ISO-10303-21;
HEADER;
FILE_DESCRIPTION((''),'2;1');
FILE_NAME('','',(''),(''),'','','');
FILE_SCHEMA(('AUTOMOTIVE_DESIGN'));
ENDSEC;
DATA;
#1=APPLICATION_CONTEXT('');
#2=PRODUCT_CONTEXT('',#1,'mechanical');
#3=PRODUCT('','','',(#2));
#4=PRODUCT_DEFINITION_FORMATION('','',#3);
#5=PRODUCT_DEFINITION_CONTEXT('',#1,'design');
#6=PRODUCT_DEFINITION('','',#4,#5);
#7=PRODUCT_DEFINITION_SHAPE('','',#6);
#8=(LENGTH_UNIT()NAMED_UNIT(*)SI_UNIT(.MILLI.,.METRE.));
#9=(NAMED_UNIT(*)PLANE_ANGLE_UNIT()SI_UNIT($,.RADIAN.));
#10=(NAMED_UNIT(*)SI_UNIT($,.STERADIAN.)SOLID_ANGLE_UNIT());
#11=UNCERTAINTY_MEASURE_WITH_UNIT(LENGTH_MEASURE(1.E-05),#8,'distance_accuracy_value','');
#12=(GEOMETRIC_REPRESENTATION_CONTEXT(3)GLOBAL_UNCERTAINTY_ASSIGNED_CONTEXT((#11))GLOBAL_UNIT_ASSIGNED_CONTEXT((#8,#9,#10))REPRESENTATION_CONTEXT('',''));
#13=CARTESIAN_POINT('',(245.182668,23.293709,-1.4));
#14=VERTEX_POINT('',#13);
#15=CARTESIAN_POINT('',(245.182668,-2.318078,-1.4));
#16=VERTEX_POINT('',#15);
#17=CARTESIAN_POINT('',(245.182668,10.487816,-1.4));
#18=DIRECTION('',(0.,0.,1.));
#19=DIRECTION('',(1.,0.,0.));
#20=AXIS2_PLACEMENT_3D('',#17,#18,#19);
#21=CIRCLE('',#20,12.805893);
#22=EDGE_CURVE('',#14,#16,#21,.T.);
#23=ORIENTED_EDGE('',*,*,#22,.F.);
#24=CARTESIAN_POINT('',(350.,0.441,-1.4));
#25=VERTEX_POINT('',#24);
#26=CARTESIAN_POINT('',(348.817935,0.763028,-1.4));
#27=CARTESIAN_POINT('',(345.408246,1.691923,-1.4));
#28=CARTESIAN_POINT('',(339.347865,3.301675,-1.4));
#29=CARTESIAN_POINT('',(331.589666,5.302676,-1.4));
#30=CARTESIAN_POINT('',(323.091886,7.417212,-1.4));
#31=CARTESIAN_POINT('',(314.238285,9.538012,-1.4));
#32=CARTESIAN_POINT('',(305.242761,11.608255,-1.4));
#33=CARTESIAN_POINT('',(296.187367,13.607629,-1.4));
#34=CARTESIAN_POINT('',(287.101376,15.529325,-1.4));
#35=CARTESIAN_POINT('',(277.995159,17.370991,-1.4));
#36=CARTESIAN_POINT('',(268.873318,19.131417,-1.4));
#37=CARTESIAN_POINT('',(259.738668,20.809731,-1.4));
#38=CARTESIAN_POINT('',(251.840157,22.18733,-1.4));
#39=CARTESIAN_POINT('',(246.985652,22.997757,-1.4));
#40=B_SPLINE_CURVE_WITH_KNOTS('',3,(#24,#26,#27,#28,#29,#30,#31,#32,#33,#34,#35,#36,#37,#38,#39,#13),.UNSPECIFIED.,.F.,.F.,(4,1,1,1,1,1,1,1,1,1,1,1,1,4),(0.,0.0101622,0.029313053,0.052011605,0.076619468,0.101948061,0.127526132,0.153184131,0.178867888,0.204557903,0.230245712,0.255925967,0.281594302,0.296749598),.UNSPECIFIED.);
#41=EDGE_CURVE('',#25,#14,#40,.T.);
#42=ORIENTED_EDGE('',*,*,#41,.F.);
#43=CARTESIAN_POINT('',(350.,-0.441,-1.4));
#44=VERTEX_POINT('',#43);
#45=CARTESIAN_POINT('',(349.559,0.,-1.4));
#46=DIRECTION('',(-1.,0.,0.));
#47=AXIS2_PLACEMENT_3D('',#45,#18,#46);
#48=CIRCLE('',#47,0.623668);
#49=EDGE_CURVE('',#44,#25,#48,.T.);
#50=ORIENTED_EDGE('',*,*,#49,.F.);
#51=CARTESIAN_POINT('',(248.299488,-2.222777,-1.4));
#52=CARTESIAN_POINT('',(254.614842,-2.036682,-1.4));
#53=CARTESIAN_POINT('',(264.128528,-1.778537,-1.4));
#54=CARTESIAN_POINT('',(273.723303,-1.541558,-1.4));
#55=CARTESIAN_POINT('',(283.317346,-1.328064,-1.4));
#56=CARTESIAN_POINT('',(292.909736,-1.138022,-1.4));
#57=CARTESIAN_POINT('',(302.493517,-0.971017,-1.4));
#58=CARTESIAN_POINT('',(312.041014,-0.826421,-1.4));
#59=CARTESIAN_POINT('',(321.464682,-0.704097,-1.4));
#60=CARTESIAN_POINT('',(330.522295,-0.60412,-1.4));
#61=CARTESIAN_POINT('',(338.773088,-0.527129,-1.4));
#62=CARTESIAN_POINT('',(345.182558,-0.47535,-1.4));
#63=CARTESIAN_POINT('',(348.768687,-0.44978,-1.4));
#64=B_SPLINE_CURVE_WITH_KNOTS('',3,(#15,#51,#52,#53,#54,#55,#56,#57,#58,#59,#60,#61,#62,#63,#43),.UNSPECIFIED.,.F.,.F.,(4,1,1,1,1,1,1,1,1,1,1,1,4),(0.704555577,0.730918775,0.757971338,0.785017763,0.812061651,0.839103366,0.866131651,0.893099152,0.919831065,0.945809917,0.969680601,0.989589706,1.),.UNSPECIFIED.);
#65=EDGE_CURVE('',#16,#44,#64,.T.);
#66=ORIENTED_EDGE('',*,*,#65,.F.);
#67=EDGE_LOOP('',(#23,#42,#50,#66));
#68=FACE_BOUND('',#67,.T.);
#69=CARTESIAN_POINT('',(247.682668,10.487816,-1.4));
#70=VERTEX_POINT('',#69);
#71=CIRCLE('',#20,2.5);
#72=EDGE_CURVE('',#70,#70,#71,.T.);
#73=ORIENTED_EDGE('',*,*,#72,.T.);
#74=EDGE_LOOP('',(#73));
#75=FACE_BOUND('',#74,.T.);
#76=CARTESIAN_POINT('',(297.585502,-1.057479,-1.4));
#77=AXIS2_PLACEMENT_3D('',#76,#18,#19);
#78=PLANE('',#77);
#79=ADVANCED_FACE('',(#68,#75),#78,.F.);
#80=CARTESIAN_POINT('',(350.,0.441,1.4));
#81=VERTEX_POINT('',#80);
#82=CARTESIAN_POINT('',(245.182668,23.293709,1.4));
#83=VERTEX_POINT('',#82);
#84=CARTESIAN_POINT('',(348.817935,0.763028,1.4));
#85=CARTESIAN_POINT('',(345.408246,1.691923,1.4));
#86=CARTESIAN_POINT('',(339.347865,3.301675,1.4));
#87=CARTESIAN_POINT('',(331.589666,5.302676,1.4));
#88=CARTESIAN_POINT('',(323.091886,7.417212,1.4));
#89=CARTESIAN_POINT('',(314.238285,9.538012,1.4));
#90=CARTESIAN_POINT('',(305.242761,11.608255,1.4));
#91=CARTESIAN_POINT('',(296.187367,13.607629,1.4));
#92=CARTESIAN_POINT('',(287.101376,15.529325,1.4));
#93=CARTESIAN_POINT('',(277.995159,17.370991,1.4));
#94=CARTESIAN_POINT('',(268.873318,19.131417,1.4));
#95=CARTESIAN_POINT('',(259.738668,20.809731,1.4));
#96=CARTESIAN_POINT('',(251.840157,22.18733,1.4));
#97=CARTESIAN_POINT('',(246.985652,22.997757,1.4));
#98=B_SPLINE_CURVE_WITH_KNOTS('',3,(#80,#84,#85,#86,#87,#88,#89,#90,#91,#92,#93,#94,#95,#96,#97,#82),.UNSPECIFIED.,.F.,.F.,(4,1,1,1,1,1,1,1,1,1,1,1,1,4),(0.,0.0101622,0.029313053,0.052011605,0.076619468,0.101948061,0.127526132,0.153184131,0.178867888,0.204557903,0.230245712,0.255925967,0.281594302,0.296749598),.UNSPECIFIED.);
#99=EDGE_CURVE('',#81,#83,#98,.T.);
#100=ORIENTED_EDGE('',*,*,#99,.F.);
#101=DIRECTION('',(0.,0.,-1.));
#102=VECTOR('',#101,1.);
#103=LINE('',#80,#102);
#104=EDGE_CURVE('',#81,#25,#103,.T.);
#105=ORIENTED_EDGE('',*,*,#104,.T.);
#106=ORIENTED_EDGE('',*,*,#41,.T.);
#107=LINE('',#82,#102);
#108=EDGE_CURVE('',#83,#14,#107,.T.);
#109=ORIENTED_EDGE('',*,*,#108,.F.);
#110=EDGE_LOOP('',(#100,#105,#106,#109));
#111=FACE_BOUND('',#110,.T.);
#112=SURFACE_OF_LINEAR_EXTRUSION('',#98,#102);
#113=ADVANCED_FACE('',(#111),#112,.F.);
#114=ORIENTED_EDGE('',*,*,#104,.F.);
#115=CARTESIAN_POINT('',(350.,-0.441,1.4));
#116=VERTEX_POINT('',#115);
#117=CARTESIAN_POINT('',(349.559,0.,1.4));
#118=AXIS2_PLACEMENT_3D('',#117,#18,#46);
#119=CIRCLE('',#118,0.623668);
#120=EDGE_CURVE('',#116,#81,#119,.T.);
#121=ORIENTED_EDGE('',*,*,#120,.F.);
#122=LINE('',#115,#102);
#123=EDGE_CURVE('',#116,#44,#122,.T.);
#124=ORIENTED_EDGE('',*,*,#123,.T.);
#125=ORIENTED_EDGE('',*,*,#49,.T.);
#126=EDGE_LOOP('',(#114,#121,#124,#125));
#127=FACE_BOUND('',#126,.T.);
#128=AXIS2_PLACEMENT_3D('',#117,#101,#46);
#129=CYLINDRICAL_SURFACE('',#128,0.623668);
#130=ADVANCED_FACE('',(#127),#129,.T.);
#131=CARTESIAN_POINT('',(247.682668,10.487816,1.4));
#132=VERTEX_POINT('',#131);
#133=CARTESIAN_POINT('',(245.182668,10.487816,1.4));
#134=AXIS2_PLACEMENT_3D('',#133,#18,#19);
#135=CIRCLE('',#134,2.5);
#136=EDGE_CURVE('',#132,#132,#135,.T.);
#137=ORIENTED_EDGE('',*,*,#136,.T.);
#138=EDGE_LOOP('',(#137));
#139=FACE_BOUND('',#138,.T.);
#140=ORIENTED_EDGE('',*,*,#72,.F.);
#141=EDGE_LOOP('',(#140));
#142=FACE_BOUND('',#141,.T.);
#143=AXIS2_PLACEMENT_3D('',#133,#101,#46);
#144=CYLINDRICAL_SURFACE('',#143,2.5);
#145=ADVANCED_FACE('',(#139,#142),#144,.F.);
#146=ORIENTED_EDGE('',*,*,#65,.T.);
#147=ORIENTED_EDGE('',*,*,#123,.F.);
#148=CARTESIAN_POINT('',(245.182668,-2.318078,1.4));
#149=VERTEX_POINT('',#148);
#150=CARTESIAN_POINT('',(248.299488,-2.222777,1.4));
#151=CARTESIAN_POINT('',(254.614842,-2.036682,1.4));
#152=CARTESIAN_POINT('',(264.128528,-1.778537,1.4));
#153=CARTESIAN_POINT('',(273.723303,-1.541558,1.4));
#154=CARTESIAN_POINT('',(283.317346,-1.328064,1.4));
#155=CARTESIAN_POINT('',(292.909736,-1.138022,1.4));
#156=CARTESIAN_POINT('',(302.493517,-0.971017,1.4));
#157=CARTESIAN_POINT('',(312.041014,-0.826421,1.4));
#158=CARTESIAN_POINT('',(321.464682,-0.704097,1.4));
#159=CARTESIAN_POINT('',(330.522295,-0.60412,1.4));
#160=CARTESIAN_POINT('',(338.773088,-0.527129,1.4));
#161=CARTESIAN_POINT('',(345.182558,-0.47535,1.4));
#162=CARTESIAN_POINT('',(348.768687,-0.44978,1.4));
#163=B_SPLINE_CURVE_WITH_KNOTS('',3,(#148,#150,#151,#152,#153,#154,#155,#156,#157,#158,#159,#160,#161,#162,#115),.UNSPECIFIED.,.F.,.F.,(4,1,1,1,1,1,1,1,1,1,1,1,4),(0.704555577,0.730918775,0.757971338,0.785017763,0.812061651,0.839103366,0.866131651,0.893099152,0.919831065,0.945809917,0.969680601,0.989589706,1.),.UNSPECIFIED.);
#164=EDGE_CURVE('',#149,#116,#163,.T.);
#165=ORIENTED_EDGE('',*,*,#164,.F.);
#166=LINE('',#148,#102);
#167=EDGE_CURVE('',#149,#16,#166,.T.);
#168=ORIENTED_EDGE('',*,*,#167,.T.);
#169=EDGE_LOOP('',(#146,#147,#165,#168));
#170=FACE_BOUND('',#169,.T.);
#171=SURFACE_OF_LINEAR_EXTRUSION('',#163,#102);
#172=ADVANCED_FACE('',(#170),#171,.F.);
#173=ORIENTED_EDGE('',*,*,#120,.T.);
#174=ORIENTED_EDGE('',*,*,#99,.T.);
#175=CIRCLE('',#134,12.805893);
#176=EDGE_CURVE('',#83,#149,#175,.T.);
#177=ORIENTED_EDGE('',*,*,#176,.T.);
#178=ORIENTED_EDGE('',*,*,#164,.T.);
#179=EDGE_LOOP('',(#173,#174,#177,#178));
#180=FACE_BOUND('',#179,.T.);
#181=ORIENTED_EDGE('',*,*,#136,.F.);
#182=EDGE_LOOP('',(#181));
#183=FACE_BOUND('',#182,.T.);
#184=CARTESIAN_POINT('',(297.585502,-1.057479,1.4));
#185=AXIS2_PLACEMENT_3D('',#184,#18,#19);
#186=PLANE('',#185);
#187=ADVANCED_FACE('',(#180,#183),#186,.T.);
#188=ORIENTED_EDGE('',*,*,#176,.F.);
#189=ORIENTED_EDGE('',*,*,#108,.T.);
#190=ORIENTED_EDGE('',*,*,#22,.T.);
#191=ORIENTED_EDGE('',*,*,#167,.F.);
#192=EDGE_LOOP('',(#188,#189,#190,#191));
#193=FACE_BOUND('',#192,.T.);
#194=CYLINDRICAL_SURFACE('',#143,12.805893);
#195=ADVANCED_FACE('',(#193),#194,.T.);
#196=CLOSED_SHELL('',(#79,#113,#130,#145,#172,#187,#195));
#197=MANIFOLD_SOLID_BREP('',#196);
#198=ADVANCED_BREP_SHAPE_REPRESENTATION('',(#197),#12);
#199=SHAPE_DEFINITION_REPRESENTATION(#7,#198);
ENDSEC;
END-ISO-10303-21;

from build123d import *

# Parameters (mm, degrees)
SKETCH_2_R      = 2.5
EXTRUDE_1_DEPTH = 1.4


with BuildPart() as part:
    # Эскиз2 → Бобышка-Вытянуть1 (new body, symmetric)
    with BuildSketch(Plane.XY):
        with BuildLine():
            ThreePointArc((350, 0.441), (350.182668182, 0), (350, -0.441))
            add(Edge.make_bspline(
                [(245.182668182, -2.318077567), (248.299487738, -2.222776548), (254.6148421, -2.036682455), (264.128528247, -1.778536728), (273.723303235, -1.541558038), (283.317346051, -1.328064065), (292.909735844, -1.138021673), (302.493517153, -0.971016602), (312.041013985, -0.826421034), (321.464682241, -0.704096652), (330.522295396, -0.604119869), (338.773087678, -0.527128646), (345.182558015, -0.475350241), (348.76868735, -0.44977974), (350, -0.441)],
                knots=[0.704555577, 0.704555577, 0.704555577, 0.704555577, 0.730918775, 0.757971338, 0.785017763, 0.812061651, 0.839103366, 0.866131651, 0.893099152, 0.919831065, 0.945809917, 0.969680601, 0.989589706, 1, 1, 1, 1], degree=3))
            ThreePointArc((245.182668182, -2.318077567), (232.376774993, 10.487815621), (245.182668182, 23.29370881))
            add(Edge.make_bspline(
                [(350, 0.441), (348.817934836, 0.763027745), (345.408245977, 1.69192274), (339.347864917, 3.301674674), (331.589665686, 5.302675511), (323.091885591, 7.417212373), (314.238285126, 9.538012439), (305.242760894, 11.608254886), (296.187367062, 13.60762908), (287.101376113, 15.529324906), (277.995159278, 17.370991017), (268.873317879, 19.131417094), (259.738667962, 20.809730625), (251.840157462, 22.18732961), (246.985652296, 22.997756578), (245.182668182, 23.29370881)],
                knots=[0, 0, 0, 0, 0.0101622, 0.029313053, 0.052011605, 0.076619468, 0.101948061, 0.127526132, 0.153184131, 0.178867888, 0.204557903, 0.230245712, 0.255925967, 0.281594302, 0.296749598, 0.296749598, 0.296749598, 0.296749598], degree=3))
        make_face()
        with Locations((245.182668182, 10.487815621)):
            Circle(SKETCH_2_R, mode=Mode.SUBTRACT)
    extrude(amount=EXTRUDE_1_DEPTH, both=True)


solid = part.part
